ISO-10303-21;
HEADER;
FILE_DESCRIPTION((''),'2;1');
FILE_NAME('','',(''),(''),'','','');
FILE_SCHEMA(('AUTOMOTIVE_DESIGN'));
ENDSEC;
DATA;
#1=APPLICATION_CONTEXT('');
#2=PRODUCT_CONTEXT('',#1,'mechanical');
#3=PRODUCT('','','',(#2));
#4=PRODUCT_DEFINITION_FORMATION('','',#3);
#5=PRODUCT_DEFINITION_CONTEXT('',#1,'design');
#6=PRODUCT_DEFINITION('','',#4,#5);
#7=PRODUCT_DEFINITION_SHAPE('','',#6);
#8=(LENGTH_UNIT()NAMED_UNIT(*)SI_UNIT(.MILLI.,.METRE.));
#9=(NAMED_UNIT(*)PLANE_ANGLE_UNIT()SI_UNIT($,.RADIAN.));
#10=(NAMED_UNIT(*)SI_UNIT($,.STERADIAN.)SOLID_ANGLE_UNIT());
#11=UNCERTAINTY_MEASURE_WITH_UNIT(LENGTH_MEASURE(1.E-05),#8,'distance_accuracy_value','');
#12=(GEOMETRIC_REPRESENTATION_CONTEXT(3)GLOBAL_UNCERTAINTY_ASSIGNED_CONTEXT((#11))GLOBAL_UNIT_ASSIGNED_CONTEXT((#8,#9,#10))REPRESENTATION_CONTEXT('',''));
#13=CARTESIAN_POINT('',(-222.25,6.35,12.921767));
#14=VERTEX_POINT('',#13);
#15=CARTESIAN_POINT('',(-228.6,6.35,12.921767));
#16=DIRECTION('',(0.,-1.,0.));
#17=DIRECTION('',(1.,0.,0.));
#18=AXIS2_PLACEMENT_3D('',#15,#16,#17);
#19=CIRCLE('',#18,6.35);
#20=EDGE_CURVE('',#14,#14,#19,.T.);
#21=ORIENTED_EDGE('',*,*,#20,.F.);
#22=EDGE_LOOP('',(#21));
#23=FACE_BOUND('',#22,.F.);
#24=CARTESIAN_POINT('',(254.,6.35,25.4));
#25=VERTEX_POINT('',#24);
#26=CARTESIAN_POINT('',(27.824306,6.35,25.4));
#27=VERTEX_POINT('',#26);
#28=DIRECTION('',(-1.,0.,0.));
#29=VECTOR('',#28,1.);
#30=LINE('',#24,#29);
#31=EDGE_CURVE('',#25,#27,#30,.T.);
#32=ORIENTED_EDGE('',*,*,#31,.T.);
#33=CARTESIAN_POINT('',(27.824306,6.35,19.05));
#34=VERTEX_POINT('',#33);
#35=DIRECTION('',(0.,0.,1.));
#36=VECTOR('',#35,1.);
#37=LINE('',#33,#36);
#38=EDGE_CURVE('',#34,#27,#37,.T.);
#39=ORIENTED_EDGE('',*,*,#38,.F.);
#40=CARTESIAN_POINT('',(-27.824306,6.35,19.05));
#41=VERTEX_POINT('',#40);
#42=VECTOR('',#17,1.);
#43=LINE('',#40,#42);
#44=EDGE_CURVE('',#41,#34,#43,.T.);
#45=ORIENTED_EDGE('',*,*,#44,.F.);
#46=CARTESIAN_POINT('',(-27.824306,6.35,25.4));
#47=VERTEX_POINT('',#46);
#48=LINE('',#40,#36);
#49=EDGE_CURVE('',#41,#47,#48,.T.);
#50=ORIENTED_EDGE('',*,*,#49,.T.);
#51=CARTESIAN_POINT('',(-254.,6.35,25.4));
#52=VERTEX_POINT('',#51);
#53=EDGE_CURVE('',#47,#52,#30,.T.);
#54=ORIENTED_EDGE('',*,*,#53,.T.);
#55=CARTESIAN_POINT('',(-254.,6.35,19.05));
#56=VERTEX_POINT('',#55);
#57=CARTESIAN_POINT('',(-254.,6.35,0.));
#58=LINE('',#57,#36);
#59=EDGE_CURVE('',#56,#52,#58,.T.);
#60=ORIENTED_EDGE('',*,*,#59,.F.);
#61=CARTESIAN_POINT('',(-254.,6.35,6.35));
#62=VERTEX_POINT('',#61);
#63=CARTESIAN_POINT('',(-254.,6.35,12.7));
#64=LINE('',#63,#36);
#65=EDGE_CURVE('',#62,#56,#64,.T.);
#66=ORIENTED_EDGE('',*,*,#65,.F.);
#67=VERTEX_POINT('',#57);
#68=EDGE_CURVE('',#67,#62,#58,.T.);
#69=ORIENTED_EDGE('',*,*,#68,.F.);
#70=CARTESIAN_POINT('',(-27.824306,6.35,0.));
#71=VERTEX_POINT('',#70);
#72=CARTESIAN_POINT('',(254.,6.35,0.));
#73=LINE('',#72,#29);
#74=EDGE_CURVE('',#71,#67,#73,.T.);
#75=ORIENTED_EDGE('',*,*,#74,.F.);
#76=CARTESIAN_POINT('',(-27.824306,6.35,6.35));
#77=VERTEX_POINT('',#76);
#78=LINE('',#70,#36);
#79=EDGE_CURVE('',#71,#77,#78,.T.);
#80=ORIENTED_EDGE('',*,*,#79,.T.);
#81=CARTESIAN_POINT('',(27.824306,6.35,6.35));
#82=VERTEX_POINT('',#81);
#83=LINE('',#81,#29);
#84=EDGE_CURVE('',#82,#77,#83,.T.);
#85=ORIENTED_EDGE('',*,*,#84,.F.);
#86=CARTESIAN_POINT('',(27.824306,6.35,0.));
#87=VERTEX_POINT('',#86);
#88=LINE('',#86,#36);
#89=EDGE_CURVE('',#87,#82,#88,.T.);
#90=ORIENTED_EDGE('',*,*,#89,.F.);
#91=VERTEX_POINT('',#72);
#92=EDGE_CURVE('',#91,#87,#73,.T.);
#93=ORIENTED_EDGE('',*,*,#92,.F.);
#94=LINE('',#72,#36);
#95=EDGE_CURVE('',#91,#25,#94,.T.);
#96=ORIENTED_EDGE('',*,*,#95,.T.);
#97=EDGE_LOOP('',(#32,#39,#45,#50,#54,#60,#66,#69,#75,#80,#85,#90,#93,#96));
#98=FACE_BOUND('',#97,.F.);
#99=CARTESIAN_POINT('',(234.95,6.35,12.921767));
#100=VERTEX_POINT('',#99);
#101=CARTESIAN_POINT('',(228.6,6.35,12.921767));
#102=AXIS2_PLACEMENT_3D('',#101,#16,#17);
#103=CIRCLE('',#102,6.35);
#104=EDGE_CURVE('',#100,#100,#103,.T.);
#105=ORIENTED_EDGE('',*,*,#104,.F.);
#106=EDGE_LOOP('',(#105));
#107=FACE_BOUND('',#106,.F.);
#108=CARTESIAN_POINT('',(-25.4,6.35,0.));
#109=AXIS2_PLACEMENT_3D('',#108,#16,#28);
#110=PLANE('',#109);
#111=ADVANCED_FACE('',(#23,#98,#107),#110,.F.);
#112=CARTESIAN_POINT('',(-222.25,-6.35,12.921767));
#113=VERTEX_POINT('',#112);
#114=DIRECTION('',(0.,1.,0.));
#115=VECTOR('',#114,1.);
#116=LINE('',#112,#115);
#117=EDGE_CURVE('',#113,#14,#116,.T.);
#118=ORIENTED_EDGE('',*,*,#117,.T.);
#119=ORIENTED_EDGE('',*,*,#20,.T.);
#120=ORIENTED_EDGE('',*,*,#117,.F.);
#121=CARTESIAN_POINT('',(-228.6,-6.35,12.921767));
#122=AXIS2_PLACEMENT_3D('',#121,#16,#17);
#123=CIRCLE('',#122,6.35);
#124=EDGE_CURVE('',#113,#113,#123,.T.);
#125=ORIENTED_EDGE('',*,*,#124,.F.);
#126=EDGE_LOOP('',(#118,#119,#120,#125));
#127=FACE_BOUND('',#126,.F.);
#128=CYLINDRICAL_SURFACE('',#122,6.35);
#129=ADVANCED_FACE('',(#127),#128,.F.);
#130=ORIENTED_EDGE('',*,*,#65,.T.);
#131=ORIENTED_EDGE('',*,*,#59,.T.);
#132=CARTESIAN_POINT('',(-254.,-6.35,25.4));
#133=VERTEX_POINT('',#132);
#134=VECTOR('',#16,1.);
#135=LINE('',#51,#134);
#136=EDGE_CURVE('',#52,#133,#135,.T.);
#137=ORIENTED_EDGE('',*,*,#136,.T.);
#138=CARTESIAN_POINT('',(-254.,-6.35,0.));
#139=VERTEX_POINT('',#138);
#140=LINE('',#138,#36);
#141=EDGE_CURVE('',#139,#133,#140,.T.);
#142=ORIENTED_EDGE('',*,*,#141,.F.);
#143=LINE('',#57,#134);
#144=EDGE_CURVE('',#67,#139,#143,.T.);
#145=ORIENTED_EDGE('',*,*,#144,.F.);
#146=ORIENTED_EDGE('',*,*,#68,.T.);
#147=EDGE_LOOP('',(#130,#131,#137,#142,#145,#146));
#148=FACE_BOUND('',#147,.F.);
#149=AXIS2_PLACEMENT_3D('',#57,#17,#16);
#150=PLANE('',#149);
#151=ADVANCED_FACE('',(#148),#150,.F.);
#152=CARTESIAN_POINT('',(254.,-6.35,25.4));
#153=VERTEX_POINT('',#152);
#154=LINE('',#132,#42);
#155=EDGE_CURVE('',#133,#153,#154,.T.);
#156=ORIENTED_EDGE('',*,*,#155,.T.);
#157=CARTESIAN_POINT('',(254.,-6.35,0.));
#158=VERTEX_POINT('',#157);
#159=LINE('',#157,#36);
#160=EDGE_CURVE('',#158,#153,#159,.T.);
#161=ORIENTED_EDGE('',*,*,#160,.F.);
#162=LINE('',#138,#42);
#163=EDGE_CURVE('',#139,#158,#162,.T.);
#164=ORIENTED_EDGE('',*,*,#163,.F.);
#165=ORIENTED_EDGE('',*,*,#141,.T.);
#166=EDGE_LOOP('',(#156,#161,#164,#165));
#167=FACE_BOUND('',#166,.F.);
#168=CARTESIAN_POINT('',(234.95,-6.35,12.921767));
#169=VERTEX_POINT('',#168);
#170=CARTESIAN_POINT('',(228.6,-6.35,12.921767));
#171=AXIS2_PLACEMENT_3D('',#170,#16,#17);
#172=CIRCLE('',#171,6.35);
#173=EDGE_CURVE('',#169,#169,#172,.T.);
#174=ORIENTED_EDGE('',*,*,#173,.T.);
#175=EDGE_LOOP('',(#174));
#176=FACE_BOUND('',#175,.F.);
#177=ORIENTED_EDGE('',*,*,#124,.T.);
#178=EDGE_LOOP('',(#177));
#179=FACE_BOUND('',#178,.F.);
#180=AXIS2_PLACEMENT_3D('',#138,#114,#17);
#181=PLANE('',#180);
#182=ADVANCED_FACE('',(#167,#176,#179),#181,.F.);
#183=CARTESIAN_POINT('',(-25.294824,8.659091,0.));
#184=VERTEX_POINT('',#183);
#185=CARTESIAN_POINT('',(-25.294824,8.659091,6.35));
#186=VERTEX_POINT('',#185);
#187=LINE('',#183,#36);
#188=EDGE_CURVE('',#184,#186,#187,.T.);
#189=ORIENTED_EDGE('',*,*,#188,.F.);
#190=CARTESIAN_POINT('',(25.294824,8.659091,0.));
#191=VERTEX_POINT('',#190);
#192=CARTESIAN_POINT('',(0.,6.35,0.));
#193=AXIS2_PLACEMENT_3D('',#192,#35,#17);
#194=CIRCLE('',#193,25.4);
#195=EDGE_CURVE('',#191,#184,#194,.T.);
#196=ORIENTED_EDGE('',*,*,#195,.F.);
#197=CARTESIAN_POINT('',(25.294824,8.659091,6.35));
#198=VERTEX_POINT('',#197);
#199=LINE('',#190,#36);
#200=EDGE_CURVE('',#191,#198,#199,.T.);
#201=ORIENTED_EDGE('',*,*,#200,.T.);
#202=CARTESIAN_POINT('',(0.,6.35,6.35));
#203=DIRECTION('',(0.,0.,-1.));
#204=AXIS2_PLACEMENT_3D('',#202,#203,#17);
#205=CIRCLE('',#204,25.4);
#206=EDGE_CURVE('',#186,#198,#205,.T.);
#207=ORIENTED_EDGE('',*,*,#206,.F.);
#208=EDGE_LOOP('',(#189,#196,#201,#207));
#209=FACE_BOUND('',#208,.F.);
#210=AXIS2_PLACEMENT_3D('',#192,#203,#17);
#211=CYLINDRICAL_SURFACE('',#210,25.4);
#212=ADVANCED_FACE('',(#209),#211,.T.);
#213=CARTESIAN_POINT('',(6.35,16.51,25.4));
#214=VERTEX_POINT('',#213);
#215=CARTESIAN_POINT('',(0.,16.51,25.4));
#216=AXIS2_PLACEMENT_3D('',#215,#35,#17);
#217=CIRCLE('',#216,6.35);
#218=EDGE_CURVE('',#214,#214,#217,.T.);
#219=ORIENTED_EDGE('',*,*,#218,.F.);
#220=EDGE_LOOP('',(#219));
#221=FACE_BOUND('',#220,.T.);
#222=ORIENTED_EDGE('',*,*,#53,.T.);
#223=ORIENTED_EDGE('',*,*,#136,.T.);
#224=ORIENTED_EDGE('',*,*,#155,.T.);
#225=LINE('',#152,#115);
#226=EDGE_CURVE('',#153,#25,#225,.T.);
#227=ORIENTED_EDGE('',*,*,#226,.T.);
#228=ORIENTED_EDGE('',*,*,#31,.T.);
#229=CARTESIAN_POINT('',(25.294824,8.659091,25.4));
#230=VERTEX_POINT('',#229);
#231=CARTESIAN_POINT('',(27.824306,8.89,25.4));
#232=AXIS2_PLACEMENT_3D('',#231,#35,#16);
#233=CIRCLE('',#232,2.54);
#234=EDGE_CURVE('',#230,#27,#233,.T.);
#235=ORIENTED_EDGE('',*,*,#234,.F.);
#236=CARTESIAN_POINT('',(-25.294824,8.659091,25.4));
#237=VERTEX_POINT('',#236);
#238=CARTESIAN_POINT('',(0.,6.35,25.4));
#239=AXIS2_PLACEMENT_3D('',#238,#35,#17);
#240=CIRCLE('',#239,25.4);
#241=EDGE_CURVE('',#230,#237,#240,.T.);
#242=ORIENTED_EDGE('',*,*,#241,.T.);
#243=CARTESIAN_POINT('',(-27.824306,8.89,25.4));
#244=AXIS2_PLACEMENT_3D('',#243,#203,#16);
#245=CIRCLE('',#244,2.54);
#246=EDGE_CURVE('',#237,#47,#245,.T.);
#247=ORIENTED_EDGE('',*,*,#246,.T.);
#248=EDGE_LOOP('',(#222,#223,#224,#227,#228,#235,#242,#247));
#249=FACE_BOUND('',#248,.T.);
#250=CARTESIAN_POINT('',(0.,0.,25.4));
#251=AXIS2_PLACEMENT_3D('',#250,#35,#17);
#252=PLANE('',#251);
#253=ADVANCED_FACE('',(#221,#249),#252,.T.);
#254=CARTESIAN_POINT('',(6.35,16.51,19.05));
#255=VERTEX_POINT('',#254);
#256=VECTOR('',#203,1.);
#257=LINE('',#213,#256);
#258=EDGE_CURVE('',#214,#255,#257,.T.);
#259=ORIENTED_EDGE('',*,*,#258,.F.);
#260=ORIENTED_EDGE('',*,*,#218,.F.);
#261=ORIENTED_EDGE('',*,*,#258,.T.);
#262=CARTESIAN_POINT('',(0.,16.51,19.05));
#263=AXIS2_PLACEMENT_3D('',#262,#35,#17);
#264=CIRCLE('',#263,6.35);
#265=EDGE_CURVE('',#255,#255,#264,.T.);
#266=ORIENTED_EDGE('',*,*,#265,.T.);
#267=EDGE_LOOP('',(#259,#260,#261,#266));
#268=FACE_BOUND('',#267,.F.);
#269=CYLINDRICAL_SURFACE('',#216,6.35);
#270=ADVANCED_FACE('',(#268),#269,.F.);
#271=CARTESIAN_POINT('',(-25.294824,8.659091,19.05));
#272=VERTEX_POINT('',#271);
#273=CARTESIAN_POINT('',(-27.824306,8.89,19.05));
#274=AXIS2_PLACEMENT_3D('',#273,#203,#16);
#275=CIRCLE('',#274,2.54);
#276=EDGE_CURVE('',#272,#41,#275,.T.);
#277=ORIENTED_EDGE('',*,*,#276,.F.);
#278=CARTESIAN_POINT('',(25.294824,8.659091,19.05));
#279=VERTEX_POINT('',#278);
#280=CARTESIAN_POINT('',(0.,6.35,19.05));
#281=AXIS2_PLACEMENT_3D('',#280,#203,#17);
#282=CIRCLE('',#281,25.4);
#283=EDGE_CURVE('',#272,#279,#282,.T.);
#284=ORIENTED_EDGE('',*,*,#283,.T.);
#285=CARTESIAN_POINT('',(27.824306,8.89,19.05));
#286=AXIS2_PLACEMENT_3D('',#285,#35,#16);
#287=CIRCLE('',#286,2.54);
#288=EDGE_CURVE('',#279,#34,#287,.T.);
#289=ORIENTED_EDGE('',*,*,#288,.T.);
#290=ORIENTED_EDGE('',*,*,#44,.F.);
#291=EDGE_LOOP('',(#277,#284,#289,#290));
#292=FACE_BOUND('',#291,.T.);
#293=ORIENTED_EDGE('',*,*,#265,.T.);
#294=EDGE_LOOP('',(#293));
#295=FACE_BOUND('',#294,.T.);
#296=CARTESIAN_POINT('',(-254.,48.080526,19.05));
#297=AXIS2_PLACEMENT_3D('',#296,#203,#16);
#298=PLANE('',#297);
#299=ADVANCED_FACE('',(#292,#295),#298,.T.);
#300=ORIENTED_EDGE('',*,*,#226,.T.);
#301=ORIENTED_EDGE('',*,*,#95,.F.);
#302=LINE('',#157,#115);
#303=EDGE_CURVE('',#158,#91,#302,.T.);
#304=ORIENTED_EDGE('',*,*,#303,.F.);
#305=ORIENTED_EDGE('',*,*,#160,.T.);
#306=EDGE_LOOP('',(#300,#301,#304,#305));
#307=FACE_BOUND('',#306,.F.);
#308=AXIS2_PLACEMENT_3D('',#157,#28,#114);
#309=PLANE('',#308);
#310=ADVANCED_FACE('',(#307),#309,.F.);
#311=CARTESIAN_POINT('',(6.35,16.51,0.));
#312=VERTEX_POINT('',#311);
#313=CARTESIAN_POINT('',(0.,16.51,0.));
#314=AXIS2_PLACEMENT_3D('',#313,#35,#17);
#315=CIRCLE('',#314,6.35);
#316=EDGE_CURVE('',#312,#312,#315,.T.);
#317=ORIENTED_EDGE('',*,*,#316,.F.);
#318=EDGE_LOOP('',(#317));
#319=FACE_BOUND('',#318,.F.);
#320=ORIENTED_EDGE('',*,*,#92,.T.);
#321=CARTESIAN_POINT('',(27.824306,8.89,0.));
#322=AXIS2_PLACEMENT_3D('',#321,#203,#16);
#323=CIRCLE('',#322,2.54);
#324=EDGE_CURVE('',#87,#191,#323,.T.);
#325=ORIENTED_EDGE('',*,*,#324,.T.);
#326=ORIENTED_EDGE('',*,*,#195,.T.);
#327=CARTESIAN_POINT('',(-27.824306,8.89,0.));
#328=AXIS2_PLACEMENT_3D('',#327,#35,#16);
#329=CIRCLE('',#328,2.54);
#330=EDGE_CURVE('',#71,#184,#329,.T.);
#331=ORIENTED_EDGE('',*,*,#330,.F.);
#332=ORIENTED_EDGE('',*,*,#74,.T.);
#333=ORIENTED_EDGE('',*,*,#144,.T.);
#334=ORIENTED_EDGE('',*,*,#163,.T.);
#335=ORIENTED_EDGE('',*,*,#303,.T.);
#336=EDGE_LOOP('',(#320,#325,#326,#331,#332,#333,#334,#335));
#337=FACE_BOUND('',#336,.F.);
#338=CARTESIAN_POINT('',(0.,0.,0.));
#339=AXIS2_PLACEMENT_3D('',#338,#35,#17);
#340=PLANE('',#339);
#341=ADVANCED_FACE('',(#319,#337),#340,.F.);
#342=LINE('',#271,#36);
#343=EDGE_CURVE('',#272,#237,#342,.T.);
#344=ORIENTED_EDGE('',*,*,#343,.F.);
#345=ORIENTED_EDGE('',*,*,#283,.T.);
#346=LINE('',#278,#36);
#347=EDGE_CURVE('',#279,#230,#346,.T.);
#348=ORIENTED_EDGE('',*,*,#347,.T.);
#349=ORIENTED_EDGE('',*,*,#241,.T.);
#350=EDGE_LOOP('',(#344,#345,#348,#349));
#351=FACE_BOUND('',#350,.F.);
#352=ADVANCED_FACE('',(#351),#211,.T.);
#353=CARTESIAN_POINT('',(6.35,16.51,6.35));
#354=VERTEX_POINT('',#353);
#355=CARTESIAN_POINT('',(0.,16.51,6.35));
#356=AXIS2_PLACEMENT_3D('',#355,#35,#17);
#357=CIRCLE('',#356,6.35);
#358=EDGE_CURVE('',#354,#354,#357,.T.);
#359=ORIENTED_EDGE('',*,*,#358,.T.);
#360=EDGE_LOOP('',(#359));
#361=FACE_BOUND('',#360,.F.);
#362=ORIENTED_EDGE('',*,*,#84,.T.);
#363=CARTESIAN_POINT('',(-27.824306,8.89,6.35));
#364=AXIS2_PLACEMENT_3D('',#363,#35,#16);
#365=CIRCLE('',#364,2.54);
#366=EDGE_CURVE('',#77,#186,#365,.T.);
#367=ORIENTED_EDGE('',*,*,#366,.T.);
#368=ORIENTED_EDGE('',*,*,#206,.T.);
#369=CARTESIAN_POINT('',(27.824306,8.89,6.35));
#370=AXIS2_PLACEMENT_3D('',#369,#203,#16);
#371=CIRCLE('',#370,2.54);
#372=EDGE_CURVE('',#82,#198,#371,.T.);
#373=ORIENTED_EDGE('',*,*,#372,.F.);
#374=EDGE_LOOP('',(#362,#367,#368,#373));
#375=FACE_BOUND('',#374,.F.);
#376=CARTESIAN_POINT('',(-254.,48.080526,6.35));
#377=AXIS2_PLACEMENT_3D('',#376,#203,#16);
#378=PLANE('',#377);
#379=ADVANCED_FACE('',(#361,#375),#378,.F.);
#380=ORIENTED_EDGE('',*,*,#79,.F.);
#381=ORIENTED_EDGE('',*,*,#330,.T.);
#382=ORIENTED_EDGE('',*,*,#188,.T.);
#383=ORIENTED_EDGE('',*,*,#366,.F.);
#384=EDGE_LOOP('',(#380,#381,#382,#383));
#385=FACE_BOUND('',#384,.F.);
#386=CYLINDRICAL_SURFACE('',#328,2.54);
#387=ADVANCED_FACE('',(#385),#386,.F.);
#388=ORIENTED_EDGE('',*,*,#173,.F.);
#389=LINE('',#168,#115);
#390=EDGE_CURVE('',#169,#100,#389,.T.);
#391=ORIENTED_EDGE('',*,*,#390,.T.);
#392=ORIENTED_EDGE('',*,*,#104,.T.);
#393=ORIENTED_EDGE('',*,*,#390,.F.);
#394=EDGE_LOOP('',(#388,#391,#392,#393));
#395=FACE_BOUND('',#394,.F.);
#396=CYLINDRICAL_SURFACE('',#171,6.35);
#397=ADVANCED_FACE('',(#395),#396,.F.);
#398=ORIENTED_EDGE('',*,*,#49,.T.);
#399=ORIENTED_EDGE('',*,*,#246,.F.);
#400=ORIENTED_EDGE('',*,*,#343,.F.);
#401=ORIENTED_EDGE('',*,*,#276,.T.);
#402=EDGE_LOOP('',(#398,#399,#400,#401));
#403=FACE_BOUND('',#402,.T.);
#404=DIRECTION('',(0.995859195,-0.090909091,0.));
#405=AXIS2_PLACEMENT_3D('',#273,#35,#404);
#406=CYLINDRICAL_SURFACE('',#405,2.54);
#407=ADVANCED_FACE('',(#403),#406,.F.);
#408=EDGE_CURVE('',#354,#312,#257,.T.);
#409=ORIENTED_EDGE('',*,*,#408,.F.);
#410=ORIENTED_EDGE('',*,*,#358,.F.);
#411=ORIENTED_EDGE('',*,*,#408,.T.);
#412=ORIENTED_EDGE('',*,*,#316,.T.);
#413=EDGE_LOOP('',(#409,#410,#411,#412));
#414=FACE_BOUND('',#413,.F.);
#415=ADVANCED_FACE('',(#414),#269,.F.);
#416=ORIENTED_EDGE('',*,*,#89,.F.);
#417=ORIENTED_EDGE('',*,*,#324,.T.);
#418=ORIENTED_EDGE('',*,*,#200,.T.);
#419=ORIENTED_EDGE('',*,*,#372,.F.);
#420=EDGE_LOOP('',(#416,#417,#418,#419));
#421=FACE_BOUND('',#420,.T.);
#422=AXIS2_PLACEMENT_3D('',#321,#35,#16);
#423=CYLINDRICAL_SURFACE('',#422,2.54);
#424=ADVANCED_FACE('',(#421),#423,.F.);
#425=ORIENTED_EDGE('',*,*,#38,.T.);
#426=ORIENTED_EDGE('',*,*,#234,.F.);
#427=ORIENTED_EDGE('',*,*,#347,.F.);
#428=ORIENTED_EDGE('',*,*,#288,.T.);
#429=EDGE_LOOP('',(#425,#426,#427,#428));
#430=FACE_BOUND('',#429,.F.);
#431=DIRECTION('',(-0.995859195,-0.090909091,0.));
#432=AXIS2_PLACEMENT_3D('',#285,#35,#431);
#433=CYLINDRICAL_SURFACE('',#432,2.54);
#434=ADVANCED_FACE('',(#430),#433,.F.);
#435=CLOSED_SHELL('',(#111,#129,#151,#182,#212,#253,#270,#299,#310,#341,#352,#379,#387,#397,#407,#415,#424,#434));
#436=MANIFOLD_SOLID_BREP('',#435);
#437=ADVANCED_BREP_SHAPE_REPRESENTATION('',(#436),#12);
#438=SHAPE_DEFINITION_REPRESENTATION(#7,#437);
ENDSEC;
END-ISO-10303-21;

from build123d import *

# Parameters (mm, degrees)
F1_DEPTH = 25.4
F2_R     = 6.35
F3_DEPTH = 25.401
F4_W     = 41.7305262923
F4_H     = 12.7
F5_DEPTH = 508.001
F6_R     = 2.54
F7_R     = 6.35
F8_DEPTH = 38.101


with BuildPart() as f1:
    # F0 (on Top) → F1 (new body)
    with BuildSketch(Plane.XY):
        Polygon((-254, -6.35), (254, -6.35), (254, 6.35), (25.4, 6.35), (-25.4, 6.35), (-254, 6.35), align=None)
        with BuildLine():
            Line((-25.4, 6.35), (25.4, 6.35))
            ThreePointArc((25.4, 6.35), (0, 31.75), (-25.4, 6.35))
        make_face()
    extrude(amount=F1_DEPTH)

    # F2 (on face) → F3 (cut, through all)
    with BuildSketch(Plane.XY.offset(25.4)):
        with Locations((0, 16.51)):
            Circle(F2_R)
    extrude(amount=-F3_DEPTH, mode=Mode.SUBTRACT)

    # F4 (on face) → F5 (cut, through all)
    with BuildSketch(Plane(origin=(-254, 0, 0), x_dir=(0, -1, 0), z_dir=(-1, 0, 0))):
        with Locations((-27.2152631462, 12.7)):
            Rectangle(F4_W, F4_H)
    extrude(amount=-F5_DEPTH, mode=Mode.SUBTRACT)

    # F6
    f6_edges = [f1.edges().sort_by_distance(p)[0] for p in [
        (-25.4, 6.35, 3.175),
        (-25.4, 6.35, 22.225),
        (25.4, 6.35, 22.225),
        (25.4, 6.35, 3.175),
    ]]
    fillet(f6_edges, radius=F6_R)

    # F7 (on face) → F8 (cut, through all)
    with BuildSketch(Plane.XZ.offset(6.35)):
        with Locations((-228.6, 12.921767283)):
            Circle(F7_R)
        with Locations((228.6, 12.921767283)):
            Circle(F7_R)
    extrude(amount=-F8_DEPTH, mode=Mode.SUBTRACT)


solid = f1.part
